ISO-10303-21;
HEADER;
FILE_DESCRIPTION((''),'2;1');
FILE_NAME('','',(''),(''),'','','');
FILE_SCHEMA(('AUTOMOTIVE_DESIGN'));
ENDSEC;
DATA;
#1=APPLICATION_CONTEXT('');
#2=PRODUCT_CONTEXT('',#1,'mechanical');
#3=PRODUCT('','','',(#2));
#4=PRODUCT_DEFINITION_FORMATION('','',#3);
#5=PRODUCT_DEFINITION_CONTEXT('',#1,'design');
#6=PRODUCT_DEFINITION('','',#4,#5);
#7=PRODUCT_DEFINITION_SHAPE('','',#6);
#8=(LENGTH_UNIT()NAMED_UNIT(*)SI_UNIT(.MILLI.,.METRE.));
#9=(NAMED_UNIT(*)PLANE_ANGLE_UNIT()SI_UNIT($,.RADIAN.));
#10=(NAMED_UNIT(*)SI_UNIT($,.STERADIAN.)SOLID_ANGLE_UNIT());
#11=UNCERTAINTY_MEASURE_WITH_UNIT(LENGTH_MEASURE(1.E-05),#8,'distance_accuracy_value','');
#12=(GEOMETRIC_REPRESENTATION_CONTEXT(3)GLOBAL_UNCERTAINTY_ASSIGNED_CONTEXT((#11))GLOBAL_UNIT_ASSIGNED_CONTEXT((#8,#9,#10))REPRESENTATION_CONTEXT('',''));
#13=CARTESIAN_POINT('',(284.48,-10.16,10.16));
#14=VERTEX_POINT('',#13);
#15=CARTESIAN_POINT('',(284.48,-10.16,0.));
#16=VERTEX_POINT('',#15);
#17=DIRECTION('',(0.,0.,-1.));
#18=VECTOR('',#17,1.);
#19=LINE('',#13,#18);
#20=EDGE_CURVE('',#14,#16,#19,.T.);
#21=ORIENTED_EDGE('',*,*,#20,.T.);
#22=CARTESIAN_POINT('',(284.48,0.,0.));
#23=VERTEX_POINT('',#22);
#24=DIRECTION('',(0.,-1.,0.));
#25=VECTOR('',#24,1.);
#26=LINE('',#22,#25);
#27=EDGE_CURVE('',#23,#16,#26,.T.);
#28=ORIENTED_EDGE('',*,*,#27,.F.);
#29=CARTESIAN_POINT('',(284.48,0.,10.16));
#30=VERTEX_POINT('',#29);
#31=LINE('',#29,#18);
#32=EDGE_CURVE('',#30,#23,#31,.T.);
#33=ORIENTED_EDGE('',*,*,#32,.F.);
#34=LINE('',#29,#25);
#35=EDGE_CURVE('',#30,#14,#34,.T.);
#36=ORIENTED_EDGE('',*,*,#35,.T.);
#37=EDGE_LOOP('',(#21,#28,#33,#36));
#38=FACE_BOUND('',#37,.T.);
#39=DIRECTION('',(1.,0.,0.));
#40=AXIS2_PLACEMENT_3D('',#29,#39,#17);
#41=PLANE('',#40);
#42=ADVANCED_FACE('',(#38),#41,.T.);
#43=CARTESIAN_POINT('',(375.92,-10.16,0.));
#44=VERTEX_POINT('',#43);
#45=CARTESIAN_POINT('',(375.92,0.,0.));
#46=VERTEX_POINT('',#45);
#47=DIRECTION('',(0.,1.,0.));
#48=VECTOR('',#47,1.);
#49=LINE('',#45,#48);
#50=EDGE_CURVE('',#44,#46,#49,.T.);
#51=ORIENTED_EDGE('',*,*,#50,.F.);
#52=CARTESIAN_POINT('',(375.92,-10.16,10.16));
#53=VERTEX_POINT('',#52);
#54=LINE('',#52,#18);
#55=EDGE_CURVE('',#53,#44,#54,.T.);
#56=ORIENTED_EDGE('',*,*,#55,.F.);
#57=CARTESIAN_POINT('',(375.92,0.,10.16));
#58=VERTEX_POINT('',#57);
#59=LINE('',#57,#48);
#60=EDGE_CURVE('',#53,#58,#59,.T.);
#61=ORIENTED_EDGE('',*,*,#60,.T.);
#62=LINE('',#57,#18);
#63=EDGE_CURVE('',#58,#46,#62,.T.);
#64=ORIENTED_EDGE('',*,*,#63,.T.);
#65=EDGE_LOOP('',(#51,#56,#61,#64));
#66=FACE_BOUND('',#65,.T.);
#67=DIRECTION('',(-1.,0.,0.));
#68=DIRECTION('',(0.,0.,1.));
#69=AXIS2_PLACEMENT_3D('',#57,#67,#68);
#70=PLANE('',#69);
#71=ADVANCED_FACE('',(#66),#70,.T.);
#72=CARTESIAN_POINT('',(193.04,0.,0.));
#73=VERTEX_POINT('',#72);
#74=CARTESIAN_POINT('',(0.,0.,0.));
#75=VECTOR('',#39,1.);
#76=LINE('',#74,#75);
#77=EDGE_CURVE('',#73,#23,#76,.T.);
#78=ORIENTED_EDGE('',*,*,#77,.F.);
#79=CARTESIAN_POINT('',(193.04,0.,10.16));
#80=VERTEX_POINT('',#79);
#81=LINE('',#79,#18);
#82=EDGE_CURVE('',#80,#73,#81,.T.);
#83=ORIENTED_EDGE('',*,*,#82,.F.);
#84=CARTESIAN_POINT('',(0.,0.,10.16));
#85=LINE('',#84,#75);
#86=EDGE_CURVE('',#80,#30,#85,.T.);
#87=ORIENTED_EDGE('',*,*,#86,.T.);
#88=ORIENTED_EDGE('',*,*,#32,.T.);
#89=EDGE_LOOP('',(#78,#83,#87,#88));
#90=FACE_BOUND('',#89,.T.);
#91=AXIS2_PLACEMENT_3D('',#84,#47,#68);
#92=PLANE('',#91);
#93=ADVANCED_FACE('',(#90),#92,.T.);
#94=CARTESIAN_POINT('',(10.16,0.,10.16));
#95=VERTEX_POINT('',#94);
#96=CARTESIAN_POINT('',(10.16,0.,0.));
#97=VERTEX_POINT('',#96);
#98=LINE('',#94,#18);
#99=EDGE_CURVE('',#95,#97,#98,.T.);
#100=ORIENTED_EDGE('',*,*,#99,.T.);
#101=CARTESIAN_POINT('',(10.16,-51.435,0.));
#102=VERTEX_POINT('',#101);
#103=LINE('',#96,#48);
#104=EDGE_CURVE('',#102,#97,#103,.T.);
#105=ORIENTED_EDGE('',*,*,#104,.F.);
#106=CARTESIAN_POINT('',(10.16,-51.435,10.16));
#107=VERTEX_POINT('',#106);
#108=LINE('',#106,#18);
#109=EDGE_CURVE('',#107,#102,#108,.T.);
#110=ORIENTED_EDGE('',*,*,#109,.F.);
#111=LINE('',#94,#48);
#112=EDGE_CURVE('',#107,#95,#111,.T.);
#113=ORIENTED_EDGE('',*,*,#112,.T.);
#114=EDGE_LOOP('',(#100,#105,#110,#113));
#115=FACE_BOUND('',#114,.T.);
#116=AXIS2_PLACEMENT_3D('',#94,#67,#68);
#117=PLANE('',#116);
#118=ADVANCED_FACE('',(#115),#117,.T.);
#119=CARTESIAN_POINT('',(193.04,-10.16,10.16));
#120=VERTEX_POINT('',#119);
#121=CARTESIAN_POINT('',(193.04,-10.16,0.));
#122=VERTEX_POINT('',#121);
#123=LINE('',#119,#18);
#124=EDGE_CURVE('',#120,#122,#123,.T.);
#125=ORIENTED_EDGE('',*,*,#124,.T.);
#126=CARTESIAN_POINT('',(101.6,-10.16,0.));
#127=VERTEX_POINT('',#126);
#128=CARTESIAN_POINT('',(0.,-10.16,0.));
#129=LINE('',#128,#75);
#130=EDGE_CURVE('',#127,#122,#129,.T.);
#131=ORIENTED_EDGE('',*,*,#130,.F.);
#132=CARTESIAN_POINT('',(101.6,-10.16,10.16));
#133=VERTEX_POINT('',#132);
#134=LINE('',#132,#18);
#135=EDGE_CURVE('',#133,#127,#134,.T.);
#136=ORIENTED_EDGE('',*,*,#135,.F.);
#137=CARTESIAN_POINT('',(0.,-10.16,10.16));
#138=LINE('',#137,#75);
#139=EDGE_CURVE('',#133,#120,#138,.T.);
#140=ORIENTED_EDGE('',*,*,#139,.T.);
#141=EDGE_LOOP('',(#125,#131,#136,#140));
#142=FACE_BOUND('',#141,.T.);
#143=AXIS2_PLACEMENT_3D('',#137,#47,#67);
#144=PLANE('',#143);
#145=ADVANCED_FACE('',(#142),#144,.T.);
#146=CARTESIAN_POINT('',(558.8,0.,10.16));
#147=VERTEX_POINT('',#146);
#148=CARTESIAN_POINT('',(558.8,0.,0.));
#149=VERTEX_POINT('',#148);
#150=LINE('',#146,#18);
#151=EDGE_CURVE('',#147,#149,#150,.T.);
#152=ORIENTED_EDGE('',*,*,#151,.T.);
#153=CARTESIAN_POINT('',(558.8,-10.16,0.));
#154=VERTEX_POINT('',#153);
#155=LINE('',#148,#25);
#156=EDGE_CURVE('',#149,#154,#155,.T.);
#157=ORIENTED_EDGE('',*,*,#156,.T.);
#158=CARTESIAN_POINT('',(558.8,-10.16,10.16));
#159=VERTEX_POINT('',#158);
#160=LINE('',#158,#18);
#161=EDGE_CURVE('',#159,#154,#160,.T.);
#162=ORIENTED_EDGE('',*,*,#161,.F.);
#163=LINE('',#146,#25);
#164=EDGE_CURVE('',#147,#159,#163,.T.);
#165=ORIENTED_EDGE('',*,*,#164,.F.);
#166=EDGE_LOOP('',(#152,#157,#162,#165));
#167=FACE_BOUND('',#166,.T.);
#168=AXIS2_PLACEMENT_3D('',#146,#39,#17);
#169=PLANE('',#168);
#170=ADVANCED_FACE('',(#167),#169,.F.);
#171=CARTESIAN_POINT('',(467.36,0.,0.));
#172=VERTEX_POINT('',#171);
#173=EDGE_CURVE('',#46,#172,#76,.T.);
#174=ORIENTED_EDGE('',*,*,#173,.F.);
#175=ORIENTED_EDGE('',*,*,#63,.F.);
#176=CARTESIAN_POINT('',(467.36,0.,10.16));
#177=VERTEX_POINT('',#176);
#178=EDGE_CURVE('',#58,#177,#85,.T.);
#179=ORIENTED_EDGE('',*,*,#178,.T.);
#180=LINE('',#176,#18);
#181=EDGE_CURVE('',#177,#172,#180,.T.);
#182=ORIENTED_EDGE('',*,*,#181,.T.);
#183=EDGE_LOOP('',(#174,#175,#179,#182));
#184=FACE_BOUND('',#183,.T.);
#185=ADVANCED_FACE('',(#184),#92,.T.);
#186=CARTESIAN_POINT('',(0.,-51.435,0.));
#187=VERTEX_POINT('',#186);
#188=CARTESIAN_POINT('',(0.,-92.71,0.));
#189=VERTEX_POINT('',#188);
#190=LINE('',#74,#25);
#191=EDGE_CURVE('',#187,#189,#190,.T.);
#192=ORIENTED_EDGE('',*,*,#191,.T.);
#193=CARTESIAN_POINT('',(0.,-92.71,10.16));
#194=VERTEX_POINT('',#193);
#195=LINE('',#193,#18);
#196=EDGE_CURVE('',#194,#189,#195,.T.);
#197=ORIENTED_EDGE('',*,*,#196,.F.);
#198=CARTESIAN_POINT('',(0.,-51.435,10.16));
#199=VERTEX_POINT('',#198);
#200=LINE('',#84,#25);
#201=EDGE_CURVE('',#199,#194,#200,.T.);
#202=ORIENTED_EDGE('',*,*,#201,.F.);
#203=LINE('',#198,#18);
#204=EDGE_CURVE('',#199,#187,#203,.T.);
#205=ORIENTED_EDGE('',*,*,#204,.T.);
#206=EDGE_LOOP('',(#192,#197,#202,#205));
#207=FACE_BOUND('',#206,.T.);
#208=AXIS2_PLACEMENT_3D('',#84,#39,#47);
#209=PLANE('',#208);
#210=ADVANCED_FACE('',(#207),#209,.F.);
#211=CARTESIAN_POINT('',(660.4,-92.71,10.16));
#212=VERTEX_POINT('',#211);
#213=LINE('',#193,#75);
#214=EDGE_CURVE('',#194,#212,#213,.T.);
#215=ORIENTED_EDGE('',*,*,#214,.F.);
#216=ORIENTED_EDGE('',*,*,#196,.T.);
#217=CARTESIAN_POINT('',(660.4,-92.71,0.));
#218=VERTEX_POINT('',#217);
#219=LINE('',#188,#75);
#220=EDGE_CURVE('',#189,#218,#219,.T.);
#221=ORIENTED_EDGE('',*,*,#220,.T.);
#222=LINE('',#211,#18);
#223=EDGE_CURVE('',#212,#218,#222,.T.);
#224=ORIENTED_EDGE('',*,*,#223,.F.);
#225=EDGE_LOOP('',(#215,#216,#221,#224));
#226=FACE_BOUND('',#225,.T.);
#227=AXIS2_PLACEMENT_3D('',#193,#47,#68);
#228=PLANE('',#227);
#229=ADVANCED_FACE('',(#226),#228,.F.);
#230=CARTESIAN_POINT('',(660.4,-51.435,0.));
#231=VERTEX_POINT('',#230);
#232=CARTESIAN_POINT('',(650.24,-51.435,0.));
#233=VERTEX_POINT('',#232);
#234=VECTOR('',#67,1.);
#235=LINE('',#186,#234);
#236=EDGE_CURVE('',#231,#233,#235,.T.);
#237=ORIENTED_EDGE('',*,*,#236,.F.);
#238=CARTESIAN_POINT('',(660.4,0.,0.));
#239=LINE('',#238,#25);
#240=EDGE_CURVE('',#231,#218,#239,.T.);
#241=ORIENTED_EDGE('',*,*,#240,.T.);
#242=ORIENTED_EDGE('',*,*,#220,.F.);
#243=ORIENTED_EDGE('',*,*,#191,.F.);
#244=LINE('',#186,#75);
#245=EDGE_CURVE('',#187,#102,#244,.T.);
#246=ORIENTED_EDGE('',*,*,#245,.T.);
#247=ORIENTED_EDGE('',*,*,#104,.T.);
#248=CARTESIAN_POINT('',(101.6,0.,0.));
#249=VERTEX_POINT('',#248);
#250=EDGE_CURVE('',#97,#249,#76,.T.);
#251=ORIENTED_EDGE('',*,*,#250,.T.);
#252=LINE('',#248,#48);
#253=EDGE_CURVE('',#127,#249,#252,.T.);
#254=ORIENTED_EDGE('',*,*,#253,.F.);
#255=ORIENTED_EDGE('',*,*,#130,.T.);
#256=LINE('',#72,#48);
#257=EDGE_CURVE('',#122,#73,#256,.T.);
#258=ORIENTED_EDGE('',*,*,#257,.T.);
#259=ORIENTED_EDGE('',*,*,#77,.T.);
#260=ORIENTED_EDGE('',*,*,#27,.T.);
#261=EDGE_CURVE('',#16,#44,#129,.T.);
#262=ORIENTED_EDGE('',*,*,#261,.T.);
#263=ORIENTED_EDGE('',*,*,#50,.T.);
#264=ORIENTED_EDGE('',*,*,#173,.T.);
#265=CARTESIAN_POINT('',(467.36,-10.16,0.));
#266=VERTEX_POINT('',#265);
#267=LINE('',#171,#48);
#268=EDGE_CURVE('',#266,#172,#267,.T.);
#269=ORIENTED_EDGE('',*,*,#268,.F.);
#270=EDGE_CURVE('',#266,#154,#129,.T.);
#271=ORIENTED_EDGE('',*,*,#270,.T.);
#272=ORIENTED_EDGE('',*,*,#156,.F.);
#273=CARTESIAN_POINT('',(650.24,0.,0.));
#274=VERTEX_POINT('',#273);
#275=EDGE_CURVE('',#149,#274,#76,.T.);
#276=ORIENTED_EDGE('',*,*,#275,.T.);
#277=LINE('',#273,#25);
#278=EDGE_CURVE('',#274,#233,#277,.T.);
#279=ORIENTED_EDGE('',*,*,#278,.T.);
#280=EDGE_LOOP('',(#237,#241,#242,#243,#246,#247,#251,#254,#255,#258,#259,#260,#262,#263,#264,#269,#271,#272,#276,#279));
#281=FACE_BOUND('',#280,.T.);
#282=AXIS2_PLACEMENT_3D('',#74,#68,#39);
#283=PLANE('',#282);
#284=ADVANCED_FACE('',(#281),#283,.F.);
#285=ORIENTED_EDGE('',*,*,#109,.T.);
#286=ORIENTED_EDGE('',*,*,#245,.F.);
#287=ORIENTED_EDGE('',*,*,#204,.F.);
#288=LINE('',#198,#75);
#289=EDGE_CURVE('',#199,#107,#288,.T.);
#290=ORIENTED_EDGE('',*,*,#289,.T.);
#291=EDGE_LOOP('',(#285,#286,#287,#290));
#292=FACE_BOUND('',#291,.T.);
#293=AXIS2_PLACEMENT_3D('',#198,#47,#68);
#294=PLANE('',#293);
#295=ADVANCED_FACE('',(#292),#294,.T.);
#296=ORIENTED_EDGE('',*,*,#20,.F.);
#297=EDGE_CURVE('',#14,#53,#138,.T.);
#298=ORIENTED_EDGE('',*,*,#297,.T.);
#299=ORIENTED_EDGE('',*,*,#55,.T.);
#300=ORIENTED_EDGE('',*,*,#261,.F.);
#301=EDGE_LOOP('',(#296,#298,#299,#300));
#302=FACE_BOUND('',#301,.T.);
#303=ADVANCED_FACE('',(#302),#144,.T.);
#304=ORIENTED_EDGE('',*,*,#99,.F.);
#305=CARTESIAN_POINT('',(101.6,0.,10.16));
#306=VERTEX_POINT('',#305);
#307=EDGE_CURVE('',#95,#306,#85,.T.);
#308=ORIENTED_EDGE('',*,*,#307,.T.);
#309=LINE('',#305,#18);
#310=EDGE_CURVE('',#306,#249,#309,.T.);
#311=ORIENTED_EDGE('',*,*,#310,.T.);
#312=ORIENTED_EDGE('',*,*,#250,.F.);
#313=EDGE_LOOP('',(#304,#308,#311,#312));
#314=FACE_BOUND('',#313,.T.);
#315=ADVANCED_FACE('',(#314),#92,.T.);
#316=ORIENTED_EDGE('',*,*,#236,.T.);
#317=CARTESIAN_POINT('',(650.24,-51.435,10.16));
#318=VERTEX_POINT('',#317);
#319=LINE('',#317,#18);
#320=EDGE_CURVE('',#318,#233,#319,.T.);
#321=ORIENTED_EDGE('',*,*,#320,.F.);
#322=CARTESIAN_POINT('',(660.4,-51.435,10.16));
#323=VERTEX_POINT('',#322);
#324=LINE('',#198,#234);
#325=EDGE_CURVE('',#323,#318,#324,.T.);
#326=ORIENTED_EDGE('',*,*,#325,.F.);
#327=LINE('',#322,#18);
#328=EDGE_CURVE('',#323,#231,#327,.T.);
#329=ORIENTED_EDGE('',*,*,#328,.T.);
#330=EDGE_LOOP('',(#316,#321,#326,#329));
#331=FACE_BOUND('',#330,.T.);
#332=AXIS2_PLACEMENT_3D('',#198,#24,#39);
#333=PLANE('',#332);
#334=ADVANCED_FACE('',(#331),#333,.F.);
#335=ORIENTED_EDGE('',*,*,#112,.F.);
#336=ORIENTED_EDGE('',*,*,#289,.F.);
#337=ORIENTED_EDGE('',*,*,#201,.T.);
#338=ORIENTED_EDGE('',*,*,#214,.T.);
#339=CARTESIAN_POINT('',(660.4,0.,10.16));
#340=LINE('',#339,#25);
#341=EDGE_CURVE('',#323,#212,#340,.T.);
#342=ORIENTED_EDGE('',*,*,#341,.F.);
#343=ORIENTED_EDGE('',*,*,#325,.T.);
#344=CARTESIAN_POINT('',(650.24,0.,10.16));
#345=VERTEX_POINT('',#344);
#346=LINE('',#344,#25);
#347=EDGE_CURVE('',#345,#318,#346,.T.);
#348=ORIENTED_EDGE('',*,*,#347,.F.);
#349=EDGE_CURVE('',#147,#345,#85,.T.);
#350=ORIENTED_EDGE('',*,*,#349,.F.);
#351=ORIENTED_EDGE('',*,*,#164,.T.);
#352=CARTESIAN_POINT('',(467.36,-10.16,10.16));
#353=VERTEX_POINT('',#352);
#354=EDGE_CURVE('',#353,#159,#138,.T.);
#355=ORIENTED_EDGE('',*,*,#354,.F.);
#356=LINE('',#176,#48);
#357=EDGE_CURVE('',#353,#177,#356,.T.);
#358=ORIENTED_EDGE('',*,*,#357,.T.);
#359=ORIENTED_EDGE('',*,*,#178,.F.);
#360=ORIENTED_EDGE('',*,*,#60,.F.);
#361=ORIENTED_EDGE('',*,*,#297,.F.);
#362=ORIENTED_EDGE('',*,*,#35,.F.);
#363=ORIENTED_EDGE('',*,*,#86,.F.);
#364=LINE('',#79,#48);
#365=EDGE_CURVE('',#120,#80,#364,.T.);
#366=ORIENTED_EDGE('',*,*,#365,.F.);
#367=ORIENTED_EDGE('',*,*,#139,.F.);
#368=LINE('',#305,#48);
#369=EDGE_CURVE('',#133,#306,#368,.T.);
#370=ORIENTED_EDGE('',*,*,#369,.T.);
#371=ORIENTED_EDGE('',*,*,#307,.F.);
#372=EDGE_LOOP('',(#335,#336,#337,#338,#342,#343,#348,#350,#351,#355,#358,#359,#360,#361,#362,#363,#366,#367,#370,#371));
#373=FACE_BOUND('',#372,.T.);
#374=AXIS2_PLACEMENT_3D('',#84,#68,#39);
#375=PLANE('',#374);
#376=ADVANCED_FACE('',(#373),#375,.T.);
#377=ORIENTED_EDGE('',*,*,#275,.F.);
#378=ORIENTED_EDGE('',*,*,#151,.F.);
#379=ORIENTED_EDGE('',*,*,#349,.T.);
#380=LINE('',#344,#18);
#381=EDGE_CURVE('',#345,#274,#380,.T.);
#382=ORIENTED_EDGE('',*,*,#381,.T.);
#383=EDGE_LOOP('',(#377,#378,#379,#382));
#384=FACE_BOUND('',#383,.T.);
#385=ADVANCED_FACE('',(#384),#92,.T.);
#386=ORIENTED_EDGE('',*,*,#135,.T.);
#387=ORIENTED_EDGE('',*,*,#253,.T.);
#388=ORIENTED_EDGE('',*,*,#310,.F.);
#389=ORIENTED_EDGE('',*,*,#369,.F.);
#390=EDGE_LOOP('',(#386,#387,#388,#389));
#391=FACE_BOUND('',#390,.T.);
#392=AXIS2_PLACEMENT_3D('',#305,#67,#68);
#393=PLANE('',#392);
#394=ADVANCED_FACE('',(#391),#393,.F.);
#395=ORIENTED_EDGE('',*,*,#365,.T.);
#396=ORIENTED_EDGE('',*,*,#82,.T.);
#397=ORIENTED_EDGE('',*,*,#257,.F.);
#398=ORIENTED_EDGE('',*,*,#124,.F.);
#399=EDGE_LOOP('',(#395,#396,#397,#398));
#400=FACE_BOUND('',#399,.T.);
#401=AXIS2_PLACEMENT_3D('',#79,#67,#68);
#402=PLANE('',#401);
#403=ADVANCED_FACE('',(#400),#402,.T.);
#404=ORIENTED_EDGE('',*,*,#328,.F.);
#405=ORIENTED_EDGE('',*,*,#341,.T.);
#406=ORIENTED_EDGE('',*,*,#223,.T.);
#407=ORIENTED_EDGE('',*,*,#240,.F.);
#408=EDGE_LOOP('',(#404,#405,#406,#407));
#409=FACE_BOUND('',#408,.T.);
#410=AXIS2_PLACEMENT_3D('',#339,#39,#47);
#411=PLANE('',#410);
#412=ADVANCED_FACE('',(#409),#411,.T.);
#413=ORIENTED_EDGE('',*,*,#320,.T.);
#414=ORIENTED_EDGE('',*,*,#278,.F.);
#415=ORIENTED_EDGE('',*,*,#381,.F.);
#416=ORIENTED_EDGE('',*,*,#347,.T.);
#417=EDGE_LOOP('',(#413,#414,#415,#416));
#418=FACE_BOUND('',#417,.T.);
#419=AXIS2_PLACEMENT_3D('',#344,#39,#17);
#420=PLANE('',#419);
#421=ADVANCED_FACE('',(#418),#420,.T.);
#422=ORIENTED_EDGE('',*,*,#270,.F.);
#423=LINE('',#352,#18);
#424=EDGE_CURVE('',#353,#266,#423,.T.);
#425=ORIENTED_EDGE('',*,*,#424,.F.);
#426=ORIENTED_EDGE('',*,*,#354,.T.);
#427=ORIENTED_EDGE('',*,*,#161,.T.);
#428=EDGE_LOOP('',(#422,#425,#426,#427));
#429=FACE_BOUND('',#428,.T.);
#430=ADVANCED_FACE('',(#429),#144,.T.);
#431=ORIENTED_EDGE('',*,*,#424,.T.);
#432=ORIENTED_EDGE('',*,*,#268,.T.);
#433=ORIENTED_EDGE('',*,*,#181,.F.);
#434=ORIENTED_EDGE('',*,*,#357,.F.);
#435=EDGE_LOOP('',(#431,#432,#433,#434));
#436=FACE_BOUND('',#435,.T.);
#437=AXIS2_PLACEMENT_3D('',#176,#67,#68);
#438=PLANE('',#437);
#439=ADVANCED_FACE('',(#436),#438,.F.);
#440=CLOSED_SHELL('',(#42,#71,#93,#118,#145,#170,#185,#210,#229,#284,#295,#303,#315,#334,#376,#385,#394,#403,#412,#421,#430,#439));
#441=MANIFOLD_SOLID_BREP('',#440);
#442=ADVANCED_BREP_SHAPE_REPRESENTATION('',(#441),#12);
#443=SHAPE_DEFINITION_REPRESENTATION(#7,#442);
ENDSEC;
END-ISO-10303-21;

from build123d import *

# Parameters (mm, degrees)
SKETCH1_W           = 10.16
SKETCH1_H           = 41.275
SKETCH1_W_2         = 91.44
SKETCH1_H_2         = 10.16
BOSS_EXTRUDE1_DEPTH = 10.16


with BuildPart() as part:
    # Sketch1 → Boss-Extrude1 (new body)
    with BuildSketch(Plane.XY):
        Polygon((193.04, -10.16), (101.6, -10.16), (10.16, -10.16), (10.16, -51.435), (10.16, -92.71), (650.24, -92.71), (650.24, -51.435), (650.24, -10.16), (558.8, -10.16), (467.36, -10.16), (375.92, -10.16), (284.48, -10.16), align=None)
        with Locations((655.32, -72.0725)):
            Rectangle(SKETCH1_W, SKETCH1_H)
        with Locations((604.52, -5.08)):
            Rectangle(SKETCH1_W_2, SKETCH1_H_2)
        with Locations((421.64, -5.08)):
            Rectangle(SKETCH1_W_2, SKETCH1_H_2)
        with Locations((238.76, -5.08)):
            Rectangle(SKETCH1_W_2, SKETCH1_H_2)
        with Locations((55.88, -5.08)):
            Rectangle(SKETCH1_W_2, SKETCH1_H_2)
        with Locations((5.08, -72.0725)):
            Rectangle(SKETCH1_W, SKETCH1_H)
    extrude(amount=BOSS_EXTRUDE1_DEPTH)


solid = part.part
